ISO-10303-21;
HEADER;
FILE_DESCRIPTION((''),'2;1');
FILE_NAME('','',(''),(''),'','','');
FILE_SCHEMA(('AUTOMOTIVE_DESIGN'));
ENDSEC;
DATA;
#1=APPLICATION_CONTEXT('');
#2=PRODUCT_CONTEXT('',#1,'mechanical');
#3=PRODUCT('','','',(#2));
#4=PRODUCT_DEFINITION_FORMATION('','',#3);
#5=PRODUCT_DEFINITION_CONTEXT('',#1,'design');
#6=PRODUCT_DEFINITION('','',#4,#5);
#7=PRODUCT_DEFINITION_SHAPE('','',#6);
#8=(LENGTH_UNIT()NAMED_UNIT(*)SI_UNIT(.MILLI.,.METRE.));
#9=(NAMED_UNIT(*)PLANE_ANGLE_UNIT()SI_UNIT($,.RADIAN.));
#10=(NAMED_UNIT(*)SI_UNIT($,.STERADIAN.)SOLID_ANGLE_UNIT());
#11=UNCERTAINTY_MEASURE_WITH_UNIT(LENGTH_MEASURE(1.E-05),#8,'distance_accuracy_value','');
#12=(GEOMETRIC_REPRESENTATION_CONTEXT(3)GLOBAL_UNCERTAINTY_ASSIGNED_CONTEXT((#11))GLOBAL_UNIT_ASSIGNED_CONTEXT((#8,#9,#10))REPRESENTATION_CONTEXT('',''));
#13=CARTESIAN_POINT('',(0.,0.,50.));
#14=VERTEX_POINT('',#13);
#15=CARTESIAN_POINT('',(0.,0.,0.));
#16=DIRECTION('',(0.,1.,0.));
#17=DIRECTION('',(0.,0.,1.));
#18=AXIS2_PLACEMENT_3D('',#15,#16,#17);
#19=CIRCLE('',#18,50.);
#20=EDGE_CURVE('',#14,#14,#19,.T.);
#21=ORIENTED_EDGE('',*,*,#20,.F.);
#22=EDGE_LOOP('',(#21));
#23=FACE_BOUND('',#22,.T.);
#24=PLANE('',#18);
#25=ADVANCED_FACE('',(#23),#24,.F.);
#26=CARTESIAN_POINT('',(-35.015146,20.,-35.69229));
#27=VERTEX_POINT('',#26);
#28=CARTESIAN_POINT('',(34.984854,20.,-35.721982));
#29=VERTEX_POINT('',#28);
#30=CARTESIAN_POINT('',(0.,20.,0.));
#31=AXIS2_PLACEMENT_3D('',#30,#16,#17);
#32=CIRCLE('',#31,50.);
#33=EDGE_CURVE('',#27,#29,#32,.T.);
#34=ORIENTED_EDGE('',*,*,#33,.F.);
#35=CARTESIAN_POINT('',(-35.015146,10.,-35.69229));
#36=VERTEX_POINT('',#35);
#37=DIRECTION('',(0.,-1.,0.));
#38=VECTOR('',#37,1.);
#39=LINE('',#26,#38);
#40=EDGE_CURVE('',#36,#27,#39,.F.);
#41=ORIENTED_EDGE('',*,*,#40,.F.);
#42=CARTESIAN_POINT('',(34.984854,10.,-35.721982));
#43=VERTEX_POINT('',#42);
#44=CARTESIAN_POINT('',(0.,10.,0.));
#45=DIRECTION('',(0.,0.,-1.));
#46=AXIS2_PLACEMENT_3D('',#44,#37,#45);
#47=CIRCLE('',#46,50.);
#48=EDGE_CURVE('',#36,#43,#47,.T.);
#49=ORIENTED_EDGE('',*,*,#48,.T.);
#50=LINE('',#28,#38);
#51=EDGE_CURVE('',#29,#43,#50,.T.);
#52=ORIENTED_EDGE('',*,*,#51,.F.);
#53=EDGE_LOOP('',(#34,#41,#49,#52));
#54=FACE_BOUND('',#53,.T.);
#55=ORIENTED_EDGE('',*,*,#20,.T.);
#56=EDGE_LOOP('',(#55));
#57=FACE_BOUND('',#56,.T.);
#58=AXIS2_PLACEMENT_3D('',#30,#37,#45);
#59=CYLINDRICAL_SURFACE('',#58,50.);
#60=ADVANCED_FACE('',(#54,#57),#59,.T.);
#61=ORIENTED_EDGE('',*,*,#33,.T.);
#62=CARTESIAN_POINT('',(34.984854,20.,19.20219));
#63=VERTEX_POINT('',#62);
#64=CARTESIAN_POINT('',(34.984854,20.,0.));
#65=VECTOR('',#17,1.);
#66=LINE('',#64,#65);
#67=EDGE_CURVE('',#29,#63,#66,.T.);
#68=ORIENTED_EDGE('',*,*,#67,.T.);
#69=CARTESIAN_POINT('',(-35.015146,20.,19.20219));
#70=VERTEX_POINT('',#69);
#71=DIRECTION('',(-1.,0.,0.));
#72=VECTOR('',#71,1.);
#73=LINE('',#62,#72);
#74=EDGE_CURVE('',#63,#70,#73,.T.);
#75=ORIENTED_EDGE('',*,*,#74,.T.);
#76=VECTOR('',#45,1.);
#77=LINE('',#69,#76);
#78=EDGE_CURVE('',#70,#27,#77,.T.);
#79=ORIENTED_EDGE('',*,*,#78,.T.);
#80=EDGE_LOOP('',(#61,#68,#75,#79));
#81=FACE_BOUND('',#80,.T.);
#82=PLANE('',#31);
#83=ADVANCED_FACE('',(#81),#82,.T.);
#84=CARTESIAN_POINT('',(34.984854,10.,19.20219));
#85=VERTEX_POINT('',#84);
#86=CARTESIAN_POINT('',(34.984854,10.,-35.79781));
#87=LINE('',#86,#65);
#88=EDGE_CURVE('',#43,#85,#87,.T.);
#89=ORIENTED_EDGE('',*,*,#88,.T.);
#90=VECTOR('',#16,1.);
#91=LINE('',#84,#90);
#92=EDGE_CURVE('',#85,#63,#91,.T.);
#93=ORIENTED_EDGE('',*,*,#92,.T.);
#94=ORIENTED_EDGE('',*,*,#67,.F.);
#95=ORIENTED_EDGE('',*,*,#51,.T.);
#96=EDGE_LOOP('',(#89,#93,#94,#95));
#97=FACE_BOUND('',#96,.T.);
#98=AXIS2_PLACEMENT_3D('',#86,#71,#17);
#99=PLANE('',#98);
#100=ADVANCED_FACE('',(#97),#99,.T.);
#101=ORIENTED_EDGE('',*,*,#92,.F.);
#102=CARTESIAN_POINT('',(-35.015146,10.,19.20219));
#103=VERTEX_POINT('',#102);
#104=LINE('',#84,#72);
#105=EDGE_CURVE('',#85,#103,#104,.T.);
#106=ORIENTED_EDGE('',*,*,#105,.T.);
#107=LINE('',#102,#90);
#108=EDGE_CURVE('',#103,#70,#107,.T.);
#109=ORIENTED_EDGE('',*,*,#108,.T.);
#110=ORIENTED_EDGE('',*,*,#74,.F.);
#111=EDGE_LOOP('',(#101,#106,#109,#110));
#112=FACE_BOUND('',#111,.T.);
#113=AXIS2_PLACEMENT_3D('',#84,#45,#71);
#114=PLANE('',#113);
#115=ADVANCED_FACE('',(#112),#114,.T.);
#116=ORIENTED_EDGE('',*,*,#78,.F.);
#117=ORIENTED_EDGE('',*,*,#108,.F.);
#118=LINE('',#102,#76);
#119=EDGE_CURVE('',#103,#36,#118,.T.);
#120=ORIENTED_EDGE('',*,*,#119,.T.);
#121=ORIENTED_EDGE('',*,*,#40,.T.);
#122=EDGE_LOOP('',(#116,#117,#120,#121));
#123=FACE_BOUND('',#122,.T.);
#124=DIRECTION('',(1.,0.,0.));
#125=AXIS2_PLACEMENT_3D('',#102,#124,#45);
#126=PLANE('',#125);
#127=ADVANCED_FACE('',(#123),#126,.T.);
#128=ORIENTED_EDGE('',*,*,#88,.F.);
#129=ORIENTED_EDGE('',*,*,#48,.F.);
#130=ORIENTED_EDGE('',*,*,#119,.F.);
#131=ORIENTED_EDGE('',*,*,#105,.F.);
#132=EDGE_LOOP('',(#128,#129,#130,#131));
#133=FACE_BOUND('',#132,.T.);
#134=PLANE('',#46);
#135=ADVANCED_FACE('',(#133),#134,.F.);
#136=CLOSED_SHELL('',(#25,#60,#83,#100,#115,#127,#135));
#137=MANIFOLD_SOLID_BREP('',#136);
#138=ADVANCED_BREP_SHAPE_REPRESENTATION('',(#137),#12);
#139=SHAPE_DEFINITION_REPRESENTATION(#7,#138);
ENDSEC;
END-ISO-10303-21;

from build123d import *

# Parameters (mm, degrees)
SKETCH1_R           = 50
BOSS_EXTRUDE1_DEPTH = 20
SKETCH2_W           = 70
SKETCH2_H           = 55
CUT_EXTRUDE1_DEPTH  = 10
CUT_EXTRUDE3_START  = -10
CUT_EXTRUDE3_DEPTH  = 10


with BuildPart() as part:
    # Sketch1 → Boss-Extrude1 (new body)
    with BuildSketch(Plane(origin=(0, 0, 0), x_dir=(1, 0, 0), z_dir=(0, 1, 0))):
        with Locations(Location((0, 0, 0), (0, 0, 270))):
            Circle(SKETCH1_R)
    extrude(amount=BOSS_EXTRUDE1_DEPTH)

    # Sketch2 → Cut-Extrude1 (cut)
    with BuildSketch(Plane(origin=(0, 20, 0), x_dir=(1, 0, 0), z_dir=(0, 1, 0))):
        with Locations((-0.015145616, 8.297810168)):
            Rectangle(SKETCH2_W, SKETCH2_H)
    extrude(amount=-CUT_EXTRUDE1_DEPTH, mode=Mode.SUBTRACT)

    # Sketch3 → Cut-Extrude3 (cut)
    with BuildSketch(Plane(origin=(0, 20, 0), x_dir=(1, 0, 0), z_dir=(0, 1, 0)).offset(CUT_EXTRUDE3_START)):
        with BuildLine():
            Line((-35.015145616, 35.692290169), (34.984854384, 35.72198152))
            ThreePointArc((34.984854384, 35.72198152), (-0.021208106, 49.999995502), (-35.015145616, 35.692290169))
        make_face()
    extrude(amount=CUT_EXTRUDE3_DEPTH, mode=Mode.SUBTRACT)


solid = part.part
